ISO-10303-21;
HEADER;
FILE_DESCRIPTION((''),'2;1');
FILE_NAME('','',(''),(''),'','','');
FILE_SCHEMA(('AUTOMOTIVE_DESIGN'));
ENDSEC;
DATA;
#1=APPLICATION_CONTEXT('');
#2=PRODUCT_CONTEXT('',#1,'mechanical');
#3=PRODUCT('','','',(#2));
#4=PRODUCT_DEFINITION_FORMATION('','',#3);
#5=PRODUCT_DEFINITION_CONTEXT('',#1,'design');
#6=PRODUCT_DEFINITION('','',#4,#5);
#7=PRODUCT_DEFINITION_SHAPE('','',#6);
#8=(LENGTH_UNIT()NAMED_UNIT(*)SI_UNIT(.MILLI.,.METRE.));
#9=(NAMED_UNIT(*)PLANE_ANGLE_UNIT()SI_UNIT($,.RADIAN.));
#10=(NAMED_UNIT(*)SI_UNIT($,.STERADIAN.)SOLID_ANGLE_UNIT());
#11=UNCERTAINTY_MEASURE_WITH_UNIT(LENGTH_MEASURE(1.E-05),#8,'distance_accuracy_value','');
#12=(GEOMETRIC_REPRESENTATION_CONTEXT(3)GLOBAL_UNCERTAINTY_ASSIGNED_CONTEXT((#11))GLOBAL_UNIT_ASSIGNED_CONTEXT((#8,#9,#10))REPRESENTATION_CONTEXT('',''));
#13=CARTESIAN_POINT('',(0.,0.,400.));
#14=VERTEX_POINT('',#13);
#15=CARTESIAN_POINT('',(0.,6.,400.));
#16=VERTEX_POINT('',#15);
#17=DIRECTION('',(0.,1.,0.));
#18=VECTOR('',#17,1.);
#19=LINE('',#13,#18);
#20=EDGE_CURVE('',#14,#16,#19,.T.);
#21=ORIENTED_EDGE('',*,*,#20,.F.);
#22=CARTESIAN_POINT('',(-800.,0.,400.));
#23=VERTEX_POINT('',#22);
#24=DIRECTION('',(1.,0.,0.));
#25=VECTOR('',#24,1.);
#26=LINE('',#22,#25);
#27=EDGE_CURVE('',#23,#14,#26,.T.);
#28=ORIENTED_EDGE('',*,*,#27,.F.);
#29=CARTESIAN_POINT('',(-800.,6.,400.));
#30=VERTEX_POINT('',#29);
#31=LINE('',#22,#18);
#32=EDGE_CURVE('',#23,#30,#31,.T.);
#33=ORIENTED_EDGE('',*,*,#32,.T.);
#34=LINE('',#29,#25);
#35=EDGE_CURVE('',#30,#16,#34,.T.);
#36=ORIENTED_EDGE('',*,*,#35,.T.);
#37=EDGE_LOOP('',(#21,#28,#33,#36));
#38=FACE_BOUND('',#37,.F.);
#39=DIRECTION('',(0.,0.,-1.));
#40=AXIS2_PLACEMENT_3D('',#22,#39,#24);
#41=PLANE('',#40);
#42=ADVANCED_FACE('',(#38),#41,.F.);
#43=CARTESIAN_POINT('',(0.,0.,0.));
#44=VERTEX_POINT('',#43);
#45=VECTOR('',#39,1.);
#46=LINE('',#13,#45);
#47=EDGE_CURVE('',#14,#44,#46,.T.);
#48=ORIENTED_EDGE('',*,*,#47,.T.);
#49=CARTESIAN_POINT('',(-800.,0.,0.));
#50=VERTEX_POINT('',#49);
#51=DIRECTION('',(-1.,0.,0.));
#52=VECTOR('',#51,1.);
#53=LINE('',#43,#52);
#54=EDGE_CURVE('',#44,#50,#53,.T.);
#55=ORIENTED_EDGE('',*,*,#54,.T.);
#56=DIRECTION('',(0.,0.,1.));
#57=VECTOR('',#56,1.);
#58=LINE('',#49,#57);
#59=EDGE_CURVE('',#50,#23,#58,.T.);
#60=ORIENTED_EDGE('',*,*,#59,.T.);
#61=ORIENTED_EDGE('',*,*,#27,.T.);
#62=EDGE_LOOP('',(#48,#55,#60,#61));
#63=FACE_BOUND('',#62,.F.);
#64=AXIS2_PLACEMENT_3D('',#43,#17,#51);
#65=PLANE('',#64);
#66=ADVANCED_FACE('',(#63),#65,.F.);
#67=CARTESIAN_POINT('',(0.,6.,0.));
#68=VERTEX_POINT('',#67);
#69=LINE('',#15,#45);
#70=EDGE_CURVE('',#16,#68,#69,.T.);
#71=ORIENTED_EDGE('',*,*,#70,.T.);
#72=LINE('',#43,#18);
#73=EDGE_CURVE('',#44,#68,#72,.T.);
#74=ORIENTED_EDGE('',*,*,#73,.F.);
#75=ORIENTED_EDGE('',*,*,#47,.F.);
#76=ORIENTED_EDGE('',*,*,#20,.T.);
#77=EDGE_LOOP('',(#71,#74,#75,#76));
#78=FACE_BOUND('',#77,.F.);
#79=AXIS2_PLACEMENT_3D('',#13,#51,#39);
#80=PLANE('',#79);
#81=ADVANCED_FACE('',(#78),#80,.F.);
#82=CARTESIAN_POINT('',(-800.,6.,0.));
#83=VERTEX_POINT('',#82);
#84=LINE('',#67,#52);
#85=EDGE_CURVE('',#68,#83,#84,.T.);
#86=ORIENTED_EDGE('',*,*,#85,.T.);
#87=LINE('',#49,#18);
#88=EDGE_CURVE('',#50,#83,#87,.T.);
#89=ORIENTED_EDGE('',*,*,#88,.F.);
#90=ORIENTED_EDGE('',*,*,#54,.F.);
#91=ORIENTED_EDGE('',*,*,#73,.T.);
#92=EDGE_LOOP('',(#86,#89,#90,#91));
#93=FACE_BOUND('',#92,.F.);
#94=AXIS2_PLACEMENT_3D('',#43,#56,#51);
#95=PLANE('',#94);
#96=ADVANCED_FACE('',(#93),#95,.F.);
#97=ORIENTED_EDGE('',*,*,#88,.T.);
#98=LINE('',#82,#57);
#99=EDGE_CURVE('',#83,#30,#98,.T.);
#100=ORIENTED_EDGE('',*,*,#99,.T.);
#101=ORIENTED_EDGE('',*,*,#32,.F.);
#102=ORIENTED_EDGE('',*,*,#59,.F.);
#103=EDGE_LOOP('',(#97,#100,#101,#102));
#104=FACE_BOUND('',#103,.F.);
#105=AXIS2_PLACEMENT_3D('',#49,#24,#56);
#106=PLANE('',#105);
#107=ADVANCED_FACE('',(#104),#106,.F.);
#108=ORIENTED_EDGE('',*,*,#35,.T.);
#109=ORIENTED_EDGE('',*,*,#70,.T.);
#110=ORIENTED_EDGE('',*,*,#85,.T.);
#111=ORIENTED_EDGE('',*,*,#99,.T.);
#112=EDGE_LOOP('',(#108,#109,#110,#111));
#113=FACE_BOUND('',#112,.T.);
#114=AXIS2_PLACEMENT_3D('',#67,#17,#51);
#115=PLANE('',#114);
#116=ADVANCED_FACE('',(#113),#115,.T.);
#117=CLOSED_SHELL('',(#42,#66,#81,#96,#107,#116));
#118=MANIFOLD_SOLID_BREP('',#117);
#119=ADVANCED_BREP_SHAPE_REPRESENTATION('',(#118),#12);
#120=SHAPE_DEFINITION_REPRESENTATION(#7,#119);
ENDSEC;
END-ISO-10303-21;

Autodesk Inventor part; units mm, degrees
ref_plane "YZ Plane" through (0, 0, 0) normal (1, 0, 0) x (0, 1, 0)
ref_plane "XZ Plane" through (0, 0, 0) normal (0, 1, 0) x (-1, 0, 0)
ref_plane "XY Plane" through (0, 0, 0) normal (0, 0, 1) x (1, 0, 0)
sketch "Sketch1" plane through (0, 0, 0) normal (0, 1, 0) x (-1, 0, 0)
  line L0 (0, 0) -> (800, 0)
  line L1 (800, 0) -> (800, 400)
  line L2 (800, 400) -> (0, 400)
  line L3 (0, 400) -> (0, 0)
  dimension "d0" = 400
  dimension "d1" = 800
extrude "Extrusion1" add sketch "Sketch1" along normal blind 6
properties part number "bed_6mm"
